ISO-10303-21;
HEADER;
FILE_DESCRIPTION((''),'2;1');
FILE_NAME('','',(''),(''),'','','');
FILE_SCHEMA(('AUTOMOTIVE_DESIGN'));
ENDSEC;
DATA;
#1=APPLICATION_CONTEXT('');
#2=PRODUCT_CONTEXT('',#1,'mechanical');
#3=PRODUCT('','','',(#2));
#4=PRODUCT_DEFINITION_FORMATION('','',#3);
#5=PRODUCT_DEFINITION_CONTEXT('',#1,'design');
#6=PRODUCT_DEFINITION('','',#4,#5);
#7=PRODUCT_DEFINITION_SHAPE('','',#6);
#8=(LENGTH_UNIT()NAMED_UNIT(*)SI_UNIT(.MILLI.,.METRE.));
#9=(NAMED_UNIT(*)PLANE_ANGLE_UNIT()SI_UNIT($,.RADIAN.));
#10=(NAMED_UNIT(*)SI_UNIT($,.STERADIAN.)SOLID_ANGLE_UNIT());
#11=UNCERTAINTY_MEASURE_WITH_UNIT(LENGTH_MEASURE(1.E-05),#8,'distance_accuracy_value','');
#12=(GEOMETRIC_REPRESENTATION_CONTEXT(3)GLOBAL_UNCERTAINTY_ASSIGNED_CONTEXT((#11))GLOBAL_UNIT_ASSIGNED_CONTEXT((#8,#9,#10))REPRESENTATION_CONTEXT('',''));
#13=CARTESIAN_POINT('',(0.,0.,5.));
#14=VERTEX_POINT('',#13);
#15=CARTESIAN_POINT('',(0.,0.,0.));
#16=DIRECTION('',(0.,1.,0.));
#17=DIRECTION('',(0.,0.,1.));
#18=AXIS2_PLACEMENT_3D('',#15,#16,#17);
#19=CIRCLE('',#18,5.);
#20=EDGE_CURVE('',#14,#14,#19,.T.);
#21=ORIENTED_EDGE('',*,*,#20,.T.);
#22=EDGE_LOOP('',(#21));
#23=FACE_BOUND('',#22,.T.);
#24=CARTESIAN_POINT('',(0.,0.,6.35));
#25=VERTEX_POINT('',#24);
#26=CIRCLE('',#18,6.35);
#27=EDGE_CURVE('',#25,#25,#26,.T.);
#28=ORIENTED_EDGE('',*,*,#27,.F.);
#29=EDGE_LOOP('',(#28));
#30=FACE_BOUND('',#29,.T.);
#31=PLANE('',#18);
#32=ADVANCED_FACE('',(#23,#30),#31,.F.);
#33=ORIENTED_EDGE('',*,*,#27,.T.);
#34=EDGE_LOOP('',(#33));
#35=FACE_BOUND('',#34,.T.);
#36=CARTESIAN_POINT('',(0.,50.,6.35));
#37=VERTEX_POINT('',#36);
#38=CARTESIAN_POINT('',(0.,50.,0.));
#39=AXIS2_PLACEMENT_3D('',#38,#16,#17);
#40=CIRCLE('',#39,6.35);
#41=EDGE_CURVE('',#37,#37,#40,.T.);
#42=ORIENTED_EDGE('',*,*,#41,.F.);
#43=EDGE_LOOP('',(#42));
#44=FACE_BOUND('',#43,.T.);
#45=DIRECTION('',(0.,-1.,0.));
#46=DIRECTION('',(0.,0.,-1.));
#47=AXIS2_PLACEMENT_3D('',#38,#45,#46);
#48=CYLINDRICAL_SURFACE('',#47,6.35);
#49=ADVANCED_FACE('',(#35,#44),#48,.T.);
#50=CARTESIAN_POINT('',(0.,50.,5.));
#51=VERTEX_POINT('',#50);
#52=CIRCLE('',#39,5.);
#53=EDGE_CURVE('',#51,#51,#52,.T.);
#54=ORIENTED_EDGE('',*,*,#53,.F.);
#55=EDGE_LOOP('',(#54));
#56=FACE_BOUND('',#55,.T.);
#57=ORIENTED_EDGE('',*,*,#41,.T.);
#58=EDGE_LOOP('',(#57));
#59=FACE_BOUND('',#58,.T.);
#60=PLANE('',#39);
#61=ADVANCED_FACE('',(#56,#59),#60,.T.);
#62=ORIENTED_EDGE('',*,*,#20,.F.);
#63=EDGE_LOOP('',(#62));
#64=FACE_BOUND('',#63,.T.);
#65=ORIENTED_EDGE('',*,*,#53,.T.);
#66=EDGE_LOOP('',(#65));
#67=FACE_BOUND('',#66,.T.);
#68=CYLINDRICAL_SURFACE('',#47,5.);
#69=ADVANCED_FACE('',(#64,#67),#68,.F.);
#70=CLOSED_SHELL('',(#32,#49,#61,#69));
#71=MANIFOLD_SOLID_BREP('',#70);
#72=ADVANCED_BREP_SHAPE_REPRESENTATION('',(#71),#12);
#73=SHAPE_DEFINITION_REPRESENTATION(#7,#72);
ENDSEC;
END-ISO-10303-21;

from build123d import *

# Parameters (mm, degrees)
ESQUISSE1_R        = 6.35
ESQUISSE1_R_2      = 5
BOSS_EXTRU_1_DEPTH = 50


with BuildPart() as part:
    # Esquisse1 → Boss.-Extru.1 (new body)
    with BuildSketch(Plane(origin=(0, 0, 0), x_dir=(1, 0, 0), z_dir=(0, 1, 0))):
        Circle(ESQUISSE1_R)
        Circle(ESQUISSE1_R_2, mode=Mode.SUBTRACT)
    extrude(amount=BOSS_EXTRU_1_DEPTH)


solid = part.part
